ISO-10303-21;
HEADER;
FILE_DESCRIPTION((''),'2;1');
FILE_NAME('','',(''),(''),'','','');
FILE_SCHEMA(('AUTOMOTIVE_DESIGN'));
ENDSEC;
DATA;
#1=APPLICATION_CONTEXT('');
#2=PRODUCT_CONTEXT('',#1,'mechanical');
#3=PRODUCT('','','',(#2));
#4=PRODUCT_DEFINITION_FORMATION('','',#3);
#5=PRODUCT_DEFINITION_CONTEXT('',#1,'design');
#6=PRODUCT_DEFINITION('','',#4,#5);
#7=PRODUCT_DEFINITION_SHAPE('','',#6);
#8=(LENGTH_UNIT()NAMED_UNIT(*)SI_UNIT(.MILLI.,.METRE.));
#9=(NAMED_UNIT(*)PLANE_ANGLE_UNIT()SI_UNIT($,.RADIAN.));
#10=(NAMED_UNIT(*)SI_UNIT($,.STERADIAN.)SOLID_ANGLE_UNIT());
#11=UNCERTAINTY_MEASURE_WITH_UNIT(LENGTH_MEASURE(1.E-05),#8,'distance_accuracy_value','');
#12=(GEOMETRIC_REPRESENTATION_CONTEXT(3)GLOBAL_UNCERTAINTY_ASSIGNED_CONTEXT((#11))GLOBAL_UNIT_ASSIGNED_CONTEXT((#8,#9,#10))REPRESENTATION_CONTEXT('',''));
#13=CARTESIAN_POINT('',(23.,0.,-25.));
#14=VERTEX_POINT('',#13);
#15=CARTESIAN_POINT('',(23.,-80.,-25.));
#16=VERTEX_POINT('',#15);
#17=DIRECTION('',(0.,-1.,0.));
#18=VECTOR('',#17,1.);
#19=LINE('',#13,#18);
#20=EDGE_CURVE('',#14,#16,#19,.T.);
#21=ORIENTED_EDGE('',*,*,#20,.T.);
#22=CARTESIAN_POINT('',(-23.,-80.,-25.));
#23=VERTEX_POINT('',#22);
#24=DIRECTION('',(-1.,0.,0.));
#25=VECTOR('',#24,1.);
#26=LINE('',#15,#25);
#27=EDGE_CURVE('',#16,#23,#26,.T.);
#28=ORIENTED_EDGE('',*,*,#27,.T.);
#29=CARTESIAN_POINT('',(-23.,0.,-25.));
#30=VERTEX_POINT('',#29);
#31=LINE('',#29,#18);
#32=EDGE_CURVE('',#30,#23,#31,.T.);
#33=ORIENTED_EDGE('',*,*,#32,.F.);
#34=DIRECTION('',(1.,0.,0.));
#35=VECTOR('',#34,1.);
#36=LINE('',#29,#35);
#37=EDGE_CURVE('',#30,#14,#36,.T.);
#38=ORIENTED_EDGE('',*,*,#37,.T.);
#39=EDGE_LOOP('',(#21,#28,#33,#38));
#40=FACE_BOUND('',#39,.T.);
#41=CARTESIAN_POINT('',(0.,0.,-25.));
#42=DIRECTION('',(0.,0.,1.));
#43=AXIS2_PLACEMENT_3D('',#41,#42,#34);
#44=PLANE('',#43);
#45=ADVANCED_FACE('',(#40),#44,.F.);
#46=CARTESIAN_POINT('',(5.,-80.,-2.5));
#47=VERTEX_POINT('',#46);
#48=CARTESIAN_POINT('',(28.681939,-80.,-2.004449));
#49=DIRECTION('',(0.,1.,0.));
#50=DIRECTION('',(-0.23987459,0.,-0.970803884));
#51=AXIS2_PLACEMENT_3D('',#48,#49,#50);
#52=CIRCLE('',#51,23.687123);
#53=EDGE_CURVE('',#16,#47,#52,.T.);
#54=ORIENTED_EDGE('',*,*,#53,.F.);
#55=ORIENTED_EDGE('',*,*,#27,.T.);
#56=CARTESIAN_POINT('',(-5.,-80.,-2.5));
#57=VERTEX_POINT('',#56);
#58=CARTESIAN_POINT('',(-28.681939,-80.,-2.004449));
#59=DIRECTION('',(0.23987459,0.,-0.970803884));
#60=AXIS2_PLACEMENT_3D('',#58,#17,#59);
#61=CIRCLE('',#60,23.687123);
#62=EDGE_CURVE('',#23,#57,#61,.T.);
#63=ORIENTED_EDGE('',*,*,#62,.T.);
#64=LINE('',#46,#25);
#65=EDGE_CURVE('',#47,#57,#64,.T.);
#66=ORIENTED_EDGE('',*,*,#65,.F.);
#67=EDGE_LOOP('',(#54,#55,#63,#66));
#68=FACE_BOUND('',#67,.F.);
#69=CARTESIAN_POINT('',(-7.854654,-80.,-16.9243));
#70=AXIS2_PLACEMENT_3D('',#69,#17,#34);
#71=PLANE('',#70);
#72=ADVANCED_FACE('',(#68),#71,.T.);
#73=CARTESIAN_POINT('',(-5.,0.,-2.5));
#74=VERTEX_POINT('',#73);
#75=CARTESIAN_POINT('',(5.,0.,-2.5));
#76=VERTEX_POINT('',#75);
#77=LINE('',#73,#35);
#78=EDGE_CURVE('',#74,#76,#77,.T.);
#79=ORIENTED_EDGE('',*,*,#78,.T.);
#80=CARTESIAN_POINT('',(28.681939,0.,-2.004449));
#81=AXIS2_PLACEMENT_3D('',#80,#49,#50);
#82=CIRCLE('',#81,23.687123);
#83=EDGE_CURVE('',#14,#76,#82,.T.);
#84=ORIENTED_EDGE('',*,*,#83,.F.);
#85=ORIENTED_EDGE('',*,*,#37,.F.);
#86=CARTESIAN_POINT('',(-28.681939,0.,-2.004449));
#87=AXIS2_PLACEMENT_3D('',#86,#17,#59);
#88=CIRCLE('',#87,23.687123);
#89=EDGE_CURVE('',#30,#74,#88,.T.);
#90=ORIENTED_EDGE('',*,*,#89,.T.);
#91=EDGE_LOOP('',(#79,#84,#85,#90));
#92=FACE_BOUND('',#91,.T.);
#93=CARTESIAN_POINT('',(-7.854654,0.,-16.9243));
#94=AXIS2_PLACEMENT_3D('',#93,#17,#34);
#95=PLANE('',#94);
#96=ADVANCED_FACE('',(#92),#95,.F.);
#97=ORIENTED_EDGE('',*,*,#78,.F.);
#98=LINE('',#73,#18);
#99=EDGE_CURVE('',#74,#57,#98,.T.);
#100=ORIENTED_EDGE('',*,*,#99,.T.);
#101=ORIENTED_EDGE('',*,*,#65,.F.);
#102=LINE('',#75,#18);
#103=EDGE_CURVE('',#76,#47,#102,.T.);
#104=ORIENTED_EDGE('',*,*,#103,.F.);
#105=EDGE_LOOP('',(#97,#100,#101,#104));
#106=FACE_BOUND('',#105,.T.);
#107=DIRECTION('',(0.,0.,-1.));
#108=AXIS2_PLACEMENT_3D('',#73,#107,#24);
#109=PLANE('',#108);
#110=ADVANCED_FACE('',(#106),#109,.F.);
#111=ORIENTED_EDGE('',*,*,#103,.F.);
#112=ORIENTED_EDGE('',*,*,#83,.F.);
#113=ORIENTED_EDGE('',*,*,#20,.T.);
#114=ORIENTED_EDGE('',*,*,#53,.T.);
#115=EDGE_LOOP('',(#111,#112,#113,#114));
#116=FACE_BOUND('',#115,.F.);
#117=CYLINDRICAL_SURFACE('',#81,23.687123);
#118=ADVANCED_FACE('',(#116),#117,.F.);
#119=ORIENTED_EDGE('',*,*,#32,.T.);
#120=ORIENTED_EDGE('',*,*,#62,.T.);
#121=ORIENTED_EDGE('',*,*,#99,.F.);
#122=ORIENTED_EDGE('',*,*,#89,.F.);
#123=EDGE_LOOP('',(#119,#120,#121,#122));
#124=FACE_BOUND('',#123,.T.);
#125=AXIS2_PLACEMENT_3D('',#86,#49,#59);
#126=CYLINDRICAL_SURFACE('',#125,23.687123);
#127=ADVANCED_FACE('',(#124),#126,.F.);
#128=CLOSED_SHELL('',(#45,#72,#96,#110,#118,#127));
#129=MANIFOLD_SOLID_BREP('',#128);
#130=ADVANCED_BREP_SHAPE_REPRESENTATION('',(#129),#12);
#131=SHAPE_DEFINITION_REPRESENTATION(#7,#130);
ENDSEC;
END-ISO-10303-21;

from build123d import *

# Parameters (mm, degrees)
F1_DEPTH = 80


with BuildPart() as f1:
    # F0 (on Front) → F1 (new body)
    with BuildSketch(Plane.XZ):
        with BuildLine():
            Line((0, -2.5), (0, -25))
            Line((0, -25), (23, -25))
            ThreePointArc((23, -25), (10.185403, -16.801677), (5, -2.5))
            Line((5, -2.5), (0, -2.5))
        make_face()
    extrude(amount=F1_DEPTH)

    # F2: F1 across plane


with BuildPart() as f1_1:
    add(f1.part)
    add(f1.part.mirror(Plane.YZ))


solid = f1_1.part
